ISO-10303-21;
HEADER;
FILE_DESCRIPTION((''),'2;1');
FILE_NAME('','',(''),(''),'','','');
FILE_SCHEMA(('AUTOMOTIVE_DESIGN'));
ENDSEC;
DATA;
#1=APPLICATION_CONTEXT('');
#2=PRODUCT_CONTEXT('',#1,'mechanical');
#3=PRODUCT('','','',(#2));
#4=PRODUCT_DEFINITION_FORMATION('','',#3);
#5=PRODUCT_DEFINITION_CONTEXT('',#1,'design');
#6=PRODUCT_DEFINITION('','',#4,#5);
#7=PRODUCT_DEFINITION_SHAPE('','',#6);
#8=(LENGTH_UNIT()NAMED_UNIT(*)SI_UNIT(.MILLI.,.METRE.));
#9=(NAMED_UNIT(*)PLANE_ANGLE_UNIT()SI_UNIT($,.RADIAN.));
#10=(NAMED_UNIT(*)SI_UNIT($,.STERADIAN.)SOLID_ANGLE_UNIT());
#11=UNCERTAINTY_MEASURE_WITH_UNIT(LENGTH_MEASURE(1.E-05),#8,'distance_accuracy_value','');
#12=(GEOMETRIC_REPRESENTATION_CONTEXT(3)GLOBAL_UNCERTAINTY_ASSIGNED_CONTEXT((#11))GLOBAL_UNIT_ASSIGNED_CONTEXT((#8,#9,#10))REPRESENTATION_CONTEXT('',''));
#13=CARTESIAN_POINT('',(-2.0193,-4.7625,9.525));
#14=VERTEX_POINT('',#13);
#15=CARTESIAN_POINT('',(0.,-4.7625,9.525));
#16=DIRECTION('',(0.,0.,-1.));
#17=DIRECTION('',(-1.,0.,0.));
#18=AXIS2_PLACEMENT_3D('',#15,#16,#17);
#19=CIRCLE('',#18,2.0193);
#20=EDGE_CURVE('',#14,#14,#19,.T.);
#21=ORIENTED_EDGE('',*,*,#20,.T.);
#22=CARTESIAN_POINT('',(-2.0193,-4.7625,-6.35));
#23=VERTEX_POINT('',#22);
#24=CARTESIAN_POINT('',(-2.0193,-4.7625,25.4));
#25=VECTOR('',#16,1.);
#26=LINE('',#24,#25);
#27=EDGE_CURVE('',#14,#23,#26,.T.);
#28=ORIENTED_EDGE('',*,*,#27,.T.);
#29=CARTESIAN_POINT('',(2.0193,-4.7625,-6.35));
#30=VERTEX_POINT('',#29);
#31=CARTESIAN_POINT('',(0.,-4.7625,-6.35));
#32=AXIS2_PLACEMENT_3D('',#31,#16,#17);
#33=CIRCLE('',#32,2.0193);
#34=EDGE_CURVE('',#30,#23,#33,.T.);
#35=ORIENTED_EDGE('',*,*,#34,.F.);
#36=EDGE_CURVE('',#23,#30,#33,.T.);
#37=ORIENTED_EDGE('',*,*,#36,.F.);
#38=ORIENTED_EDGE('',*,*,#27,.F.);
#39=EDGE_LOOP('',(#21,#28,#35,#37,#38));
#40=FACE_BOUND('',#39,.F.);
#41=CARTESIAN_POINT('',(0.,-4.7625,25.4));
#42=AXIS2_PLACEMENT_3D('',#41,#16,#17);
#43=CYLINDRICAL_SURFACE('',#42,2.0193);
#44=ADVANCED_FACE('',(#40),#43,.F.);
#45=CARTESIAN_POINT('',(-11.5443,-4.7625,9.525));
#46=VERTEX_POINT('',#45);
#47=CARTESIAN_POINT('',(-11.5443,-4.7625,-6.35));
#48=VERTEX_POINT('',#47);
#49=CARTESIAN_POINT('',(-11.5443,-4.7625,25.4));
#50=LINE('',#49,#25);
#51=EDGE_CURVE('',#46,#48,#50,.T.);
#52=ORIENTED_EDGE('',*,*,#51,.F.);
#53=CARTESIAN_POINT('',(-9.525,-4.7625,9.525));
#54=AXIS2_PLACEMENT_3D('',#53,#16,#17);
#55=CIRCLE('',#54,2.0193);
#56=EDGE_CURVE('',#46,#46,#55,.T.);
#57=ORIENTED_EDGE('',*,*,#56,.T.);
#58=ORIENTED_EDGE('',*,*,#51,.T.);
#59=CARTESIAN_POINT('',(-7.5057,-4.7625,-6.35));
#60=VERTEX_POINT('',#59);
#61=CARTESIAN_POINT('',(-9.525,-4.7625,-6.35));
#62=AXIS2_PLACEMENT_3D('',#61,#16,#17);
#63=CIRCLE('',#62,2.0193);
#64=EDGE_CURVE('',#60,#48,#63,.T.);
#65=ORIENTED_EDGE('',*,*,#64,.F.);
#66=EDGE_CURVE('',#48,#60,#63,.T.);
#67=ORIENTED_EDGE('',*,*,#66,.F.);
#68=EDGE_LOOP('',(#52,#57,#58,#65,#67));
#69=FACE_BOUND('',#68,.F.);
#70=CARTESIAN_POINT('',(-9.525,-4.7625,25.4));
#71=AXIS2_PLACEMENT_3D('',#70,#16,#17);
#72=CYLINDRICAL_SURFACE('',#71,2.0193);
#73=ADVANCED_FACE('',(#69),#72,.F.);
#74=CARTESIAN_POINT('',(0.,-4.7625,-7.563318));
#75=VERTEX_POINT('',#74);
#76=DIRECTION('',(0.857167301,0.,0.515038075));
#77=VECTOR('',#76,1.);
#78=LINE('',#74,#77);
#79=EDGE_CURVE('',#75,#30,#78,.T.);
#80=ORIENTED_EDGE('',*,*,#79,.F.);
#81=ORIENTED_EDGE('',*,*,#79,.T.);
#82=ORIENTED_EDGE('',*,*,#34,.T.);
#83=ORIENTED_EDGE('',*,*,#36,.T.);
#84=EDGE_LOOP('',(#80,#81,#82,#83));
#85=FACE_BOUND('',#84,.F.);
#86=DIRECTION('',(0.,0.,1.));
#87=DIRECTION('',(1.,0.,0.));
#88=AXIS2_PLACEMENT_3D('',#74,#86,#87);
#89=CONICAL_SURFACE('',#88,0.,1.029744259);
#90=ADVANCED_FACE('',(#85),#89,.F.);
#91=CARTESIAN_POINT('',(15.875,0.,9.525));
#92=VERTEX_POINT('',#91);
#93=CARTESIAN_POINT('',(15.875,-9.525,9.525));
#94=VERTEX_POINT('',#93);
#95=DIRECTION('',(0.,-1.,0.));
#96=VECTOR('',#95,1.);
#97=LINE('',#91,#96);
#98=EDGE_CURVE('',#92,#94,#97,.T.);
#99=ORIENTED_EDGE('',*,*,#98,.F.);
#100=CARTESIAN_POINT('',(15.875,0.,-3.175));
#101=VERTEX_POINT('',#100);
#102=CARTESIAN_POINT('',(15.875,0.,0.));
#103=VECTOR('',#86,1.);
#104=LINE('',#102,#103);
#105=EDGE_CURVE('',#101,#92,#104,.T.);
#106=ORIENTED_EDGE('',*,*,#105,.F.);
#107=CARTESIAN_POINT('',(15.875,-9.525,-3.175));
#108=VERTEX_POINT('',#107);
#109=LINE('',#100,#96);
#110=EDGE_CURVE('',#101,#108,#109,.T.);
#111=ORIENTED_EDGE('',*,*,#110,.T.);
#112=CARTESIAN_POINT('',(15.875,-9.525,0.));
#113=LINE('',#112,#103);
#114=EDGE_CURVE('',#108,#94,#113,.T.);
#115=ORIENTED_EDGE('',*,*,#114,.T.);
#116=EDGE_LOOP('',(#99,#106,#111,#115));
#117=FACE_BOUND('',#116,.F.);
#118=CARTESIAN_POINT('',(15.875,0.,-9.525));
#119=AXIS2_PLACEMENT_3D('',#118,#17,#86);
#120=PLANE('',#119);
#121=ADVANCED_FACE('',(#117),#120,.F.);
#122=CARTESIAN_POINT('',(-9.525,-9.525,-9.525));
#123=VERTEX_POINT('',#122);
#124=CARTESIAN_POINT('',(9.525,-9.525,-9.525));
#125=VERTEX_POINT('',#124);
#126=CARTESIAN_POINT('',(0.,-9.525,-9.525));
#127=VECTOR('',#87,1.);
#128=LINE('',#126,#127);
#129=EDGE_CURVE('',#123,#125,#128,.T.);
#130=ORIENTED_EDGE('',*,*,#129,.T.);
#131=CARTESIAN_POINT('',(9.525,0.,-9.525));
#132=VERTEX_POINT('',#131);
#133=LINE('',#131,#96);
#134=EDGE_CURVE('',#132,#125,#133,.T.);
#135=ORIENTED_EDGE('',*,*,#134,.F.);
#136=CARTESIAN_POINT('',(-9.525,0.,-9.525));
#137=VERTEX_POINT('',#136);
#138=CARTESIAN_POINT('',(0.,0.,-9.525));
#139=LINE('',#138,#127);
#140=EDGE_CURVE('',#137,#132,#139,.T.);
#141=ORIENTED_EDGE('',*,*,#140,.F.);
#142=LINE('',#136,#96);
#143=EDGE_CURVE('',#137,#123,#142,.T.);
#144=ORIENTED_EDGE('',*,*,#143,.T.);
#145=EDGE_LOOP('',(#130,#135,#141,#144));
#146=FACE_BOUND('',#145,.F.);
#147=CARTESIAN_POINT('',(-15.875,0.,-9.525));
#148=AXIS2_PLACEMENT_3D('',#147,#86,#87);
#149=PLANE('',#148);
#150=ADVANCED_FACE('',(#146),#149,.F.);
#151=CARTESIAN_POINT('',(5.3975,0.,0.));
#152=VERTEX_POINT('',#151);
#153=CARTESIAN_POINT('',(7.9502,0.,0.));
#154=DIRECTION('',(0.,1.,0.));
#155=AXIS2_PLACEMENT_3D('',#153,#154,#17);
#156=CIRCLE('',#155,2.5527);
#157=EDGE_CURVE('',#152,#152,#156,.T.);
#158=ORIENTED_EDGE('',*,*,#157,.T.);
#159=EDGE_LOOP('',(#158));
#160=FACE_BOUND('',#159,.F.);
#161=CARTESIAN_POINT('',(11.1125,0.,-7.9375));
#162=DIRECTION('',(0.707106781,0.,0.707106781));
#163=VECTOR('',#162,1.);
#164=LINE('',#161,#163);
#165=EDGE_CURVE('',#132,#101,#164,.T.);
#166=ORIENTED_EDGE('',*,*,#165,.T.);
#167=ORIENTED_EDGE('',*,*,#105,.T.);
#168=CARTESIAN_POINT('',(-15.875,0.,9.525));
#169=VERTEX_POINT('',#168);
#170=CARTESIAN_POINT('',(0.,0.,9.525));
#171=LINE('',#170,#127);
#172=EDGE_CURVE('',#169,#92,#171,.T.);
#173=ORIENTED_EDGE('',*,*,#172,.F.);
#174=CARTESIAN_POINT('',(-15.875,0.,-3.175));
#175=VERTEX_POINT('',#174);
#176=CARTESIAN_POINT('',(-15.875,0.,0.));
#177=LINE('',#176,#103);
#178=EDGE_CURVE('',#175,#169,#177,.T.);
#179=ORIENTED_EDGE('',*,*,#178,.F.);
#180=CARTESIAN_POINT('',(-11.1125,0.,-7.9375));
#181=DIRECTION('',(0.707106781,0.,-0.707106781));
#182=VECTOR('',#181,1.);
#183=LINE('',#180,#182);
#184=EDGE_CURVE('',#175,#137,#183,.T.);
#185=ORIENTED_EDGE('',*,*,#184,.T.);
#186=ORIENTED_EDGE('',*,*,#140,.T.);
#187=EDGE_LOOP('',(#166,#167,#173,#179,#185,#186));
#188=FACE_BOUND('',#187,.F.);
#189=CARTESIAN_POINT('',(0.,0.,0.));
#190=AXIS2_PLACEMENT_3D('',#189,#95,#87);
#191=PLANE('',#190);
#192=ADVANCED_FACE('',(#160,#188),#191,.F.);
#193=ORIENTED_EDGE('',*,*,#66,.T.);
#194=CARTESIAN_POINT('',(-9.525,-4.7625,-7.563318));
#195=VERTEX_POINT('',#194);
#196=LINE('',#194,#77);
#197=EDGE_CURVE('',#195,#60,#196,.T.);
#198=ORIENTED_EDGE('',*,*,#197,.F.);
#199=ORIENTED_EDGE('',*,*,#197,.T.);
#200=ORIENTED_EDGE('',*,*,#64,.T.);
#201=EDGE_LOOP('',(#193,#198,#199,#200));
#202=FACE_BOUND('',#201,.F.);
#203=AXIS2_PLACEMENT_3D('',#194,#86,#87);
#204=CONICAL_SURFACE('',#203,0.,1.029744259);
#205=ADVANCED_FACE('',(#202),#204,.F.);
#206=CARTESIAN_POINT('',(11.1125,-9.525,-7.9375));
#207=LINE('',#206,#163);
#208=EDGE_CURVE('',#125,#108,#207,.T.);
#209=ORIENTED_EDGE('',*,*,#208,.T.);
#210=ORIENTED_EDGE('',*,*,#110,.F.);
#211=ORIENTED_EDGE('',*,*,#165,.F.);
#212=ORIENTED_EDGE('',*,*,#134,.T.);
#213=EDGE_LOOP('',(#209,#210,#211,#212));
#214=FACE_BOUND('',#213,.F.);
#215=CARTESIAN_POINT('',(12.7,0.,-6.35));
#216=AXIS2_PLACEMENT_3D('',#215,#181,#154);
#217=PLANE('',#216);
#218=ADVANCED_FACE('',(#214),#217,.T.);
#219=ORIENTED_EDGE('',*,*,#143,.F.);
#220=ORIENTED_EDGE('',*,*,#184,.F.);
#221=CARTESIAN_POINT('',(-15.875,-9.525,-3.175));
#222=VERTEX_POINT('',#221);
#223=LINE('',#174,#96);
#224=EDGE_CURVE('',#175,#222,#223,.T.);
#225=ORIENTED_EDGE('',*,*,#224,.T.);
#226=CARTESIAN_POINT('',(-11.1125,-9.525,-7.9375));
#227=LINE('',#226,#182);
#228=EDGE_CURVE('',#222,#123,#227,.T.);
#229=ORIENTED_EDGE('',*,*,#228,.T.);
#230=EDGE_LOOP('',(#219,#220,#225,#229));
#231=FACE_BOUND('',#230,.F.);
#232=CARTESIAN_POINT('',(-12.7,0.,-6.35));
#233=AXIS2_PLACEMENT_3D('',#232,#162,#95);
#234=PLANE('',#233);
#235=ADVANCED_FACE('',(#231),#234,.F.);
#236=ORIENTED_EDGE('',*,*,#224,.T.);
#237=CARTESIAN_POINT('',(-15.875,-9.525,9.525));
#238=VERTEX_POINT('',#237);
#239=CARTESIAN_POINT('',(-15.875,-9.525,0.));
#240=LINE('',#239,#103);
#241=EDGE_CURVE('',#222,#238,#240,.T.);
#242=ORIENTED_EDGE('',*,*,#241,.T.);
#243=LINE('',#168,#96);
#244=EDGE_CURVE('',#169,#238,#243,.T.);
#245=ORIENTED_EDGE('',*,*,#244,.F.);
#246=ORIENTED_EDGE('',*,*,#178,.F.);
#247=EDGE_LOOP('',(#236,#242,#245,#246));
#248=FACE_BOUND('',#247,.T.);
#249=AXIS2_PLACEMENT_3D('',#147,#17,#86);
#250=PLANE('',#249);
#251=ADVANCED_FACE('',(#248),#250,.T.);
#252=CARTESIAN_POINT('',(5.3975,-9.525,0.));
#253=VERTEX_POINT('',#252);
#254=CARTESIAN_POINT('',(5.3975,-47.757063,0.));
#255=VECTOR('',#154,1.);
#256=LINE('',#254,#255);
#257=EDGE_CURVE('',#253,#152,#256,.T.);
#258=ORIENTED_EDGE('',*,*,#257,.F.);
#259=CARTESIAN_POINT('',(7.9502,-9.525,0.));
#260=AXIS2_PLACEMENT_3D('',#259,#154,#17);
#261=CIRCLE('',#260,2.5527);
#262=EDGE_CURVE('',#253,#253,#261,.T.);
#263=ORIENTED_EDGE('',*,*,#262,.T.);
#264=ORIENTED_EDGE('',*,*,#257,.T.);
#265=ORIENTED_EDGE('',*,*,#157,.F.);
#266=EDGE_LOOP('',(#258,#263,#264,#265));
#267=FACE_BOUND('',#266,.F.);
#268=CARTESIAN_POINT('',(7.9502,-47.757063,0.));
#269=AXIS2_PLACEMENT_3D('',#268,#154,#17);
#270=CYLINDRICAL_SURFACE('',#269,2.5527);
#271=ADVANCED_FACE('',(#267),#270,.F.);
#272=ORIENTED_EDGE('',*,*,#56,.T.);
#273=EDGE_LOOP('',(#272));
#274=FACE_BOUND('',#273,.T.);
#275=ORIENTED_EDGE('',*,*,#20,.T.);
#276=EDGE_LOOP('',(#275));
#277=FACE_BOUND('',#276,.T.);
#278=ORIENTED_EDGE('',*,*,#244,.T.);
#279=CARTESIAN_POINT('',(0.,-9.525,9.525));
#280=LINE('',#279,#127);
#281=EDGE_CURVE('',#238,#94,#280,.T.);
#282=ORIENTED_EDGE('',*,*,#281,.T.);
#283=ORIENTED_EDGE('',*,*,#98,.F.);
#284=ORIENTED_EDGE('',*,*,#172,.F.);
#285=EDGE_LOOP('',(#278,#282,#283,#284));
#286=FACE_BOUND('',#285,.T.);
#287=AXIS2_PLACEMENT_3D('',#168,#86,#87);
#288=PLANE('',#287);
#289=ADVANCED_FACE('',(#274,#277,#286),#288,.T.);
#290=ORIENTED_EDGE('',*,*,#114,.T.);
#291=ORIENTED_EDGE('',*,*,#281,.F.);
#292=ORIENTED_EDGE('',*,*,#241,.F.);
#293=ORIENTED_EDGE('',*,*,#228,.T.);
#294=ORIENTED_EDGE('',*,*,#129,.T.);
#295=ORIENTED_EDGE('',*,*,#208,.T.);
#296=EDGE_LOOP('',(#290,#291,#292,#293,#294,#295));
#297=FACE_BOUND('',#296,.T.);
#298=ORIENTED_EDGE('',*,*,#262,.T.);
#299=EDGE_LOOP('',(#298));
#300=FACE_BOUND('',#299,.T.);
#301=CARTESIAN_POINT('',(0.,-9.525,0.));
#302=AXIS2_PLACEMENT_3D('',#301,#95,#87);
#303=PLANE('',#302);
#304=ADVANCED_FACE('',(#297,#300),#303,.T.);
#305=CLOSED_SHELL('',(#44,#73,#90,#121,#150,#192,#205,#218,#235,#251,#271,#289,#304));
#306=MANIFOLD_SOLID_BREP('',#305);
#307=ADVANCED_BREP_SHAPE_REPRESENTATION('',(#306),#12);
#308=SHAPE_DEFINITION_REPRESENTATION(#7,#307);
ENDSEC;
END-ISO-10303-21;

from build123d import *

# Parameters (mm, degrees)
F0_W     = 31.75
F0_H     = 19.05
F1_DEPTH = 9.525
F3_D     = 5.1054
F5_D     = 4.0386
F5_DEPTH = 15.875
F5_TIP   = 1.213317848
F6_SIZE  = 6.35


with BuildPart() as f1:
    # F0 (on Front) → F1 (new body)
    with BuildSketch(Plane.XZ):
        Rectangle(F0_W, F0_H)
    extrude(amount=F1_DEPTH)

    # F3 (through all)
    with Locations(Plane.XZ.offset(9.525)):
        with Locations((7.9502, 0)):
            Hole(F3_D / 2)

    # F5
    with Locations(Plane.XY.offset(9.525)):
        with Locations((-9.525, -4.7625), (0, -4.7625)):
            Hole(F5_D / 2, depth=F5_DEPTH)
            with Locations((0, 0, -(F5_DEPTH + F5_TIP / 2))):  # 118° drill point
                Cone(0, F5_D / 2, F5_TIP, mode=Mode.SUBTRACT)

    # F6
    f6_edges = [f1.edges().sort_by_distance(p)[0] for p in [
        (-15.875, -4.7625, -9.525),
        (15.875, -4.7625, -9.525),
    ]]
    chamfer(f6_edges, length=F6_SIZE)


solid = f1.part
